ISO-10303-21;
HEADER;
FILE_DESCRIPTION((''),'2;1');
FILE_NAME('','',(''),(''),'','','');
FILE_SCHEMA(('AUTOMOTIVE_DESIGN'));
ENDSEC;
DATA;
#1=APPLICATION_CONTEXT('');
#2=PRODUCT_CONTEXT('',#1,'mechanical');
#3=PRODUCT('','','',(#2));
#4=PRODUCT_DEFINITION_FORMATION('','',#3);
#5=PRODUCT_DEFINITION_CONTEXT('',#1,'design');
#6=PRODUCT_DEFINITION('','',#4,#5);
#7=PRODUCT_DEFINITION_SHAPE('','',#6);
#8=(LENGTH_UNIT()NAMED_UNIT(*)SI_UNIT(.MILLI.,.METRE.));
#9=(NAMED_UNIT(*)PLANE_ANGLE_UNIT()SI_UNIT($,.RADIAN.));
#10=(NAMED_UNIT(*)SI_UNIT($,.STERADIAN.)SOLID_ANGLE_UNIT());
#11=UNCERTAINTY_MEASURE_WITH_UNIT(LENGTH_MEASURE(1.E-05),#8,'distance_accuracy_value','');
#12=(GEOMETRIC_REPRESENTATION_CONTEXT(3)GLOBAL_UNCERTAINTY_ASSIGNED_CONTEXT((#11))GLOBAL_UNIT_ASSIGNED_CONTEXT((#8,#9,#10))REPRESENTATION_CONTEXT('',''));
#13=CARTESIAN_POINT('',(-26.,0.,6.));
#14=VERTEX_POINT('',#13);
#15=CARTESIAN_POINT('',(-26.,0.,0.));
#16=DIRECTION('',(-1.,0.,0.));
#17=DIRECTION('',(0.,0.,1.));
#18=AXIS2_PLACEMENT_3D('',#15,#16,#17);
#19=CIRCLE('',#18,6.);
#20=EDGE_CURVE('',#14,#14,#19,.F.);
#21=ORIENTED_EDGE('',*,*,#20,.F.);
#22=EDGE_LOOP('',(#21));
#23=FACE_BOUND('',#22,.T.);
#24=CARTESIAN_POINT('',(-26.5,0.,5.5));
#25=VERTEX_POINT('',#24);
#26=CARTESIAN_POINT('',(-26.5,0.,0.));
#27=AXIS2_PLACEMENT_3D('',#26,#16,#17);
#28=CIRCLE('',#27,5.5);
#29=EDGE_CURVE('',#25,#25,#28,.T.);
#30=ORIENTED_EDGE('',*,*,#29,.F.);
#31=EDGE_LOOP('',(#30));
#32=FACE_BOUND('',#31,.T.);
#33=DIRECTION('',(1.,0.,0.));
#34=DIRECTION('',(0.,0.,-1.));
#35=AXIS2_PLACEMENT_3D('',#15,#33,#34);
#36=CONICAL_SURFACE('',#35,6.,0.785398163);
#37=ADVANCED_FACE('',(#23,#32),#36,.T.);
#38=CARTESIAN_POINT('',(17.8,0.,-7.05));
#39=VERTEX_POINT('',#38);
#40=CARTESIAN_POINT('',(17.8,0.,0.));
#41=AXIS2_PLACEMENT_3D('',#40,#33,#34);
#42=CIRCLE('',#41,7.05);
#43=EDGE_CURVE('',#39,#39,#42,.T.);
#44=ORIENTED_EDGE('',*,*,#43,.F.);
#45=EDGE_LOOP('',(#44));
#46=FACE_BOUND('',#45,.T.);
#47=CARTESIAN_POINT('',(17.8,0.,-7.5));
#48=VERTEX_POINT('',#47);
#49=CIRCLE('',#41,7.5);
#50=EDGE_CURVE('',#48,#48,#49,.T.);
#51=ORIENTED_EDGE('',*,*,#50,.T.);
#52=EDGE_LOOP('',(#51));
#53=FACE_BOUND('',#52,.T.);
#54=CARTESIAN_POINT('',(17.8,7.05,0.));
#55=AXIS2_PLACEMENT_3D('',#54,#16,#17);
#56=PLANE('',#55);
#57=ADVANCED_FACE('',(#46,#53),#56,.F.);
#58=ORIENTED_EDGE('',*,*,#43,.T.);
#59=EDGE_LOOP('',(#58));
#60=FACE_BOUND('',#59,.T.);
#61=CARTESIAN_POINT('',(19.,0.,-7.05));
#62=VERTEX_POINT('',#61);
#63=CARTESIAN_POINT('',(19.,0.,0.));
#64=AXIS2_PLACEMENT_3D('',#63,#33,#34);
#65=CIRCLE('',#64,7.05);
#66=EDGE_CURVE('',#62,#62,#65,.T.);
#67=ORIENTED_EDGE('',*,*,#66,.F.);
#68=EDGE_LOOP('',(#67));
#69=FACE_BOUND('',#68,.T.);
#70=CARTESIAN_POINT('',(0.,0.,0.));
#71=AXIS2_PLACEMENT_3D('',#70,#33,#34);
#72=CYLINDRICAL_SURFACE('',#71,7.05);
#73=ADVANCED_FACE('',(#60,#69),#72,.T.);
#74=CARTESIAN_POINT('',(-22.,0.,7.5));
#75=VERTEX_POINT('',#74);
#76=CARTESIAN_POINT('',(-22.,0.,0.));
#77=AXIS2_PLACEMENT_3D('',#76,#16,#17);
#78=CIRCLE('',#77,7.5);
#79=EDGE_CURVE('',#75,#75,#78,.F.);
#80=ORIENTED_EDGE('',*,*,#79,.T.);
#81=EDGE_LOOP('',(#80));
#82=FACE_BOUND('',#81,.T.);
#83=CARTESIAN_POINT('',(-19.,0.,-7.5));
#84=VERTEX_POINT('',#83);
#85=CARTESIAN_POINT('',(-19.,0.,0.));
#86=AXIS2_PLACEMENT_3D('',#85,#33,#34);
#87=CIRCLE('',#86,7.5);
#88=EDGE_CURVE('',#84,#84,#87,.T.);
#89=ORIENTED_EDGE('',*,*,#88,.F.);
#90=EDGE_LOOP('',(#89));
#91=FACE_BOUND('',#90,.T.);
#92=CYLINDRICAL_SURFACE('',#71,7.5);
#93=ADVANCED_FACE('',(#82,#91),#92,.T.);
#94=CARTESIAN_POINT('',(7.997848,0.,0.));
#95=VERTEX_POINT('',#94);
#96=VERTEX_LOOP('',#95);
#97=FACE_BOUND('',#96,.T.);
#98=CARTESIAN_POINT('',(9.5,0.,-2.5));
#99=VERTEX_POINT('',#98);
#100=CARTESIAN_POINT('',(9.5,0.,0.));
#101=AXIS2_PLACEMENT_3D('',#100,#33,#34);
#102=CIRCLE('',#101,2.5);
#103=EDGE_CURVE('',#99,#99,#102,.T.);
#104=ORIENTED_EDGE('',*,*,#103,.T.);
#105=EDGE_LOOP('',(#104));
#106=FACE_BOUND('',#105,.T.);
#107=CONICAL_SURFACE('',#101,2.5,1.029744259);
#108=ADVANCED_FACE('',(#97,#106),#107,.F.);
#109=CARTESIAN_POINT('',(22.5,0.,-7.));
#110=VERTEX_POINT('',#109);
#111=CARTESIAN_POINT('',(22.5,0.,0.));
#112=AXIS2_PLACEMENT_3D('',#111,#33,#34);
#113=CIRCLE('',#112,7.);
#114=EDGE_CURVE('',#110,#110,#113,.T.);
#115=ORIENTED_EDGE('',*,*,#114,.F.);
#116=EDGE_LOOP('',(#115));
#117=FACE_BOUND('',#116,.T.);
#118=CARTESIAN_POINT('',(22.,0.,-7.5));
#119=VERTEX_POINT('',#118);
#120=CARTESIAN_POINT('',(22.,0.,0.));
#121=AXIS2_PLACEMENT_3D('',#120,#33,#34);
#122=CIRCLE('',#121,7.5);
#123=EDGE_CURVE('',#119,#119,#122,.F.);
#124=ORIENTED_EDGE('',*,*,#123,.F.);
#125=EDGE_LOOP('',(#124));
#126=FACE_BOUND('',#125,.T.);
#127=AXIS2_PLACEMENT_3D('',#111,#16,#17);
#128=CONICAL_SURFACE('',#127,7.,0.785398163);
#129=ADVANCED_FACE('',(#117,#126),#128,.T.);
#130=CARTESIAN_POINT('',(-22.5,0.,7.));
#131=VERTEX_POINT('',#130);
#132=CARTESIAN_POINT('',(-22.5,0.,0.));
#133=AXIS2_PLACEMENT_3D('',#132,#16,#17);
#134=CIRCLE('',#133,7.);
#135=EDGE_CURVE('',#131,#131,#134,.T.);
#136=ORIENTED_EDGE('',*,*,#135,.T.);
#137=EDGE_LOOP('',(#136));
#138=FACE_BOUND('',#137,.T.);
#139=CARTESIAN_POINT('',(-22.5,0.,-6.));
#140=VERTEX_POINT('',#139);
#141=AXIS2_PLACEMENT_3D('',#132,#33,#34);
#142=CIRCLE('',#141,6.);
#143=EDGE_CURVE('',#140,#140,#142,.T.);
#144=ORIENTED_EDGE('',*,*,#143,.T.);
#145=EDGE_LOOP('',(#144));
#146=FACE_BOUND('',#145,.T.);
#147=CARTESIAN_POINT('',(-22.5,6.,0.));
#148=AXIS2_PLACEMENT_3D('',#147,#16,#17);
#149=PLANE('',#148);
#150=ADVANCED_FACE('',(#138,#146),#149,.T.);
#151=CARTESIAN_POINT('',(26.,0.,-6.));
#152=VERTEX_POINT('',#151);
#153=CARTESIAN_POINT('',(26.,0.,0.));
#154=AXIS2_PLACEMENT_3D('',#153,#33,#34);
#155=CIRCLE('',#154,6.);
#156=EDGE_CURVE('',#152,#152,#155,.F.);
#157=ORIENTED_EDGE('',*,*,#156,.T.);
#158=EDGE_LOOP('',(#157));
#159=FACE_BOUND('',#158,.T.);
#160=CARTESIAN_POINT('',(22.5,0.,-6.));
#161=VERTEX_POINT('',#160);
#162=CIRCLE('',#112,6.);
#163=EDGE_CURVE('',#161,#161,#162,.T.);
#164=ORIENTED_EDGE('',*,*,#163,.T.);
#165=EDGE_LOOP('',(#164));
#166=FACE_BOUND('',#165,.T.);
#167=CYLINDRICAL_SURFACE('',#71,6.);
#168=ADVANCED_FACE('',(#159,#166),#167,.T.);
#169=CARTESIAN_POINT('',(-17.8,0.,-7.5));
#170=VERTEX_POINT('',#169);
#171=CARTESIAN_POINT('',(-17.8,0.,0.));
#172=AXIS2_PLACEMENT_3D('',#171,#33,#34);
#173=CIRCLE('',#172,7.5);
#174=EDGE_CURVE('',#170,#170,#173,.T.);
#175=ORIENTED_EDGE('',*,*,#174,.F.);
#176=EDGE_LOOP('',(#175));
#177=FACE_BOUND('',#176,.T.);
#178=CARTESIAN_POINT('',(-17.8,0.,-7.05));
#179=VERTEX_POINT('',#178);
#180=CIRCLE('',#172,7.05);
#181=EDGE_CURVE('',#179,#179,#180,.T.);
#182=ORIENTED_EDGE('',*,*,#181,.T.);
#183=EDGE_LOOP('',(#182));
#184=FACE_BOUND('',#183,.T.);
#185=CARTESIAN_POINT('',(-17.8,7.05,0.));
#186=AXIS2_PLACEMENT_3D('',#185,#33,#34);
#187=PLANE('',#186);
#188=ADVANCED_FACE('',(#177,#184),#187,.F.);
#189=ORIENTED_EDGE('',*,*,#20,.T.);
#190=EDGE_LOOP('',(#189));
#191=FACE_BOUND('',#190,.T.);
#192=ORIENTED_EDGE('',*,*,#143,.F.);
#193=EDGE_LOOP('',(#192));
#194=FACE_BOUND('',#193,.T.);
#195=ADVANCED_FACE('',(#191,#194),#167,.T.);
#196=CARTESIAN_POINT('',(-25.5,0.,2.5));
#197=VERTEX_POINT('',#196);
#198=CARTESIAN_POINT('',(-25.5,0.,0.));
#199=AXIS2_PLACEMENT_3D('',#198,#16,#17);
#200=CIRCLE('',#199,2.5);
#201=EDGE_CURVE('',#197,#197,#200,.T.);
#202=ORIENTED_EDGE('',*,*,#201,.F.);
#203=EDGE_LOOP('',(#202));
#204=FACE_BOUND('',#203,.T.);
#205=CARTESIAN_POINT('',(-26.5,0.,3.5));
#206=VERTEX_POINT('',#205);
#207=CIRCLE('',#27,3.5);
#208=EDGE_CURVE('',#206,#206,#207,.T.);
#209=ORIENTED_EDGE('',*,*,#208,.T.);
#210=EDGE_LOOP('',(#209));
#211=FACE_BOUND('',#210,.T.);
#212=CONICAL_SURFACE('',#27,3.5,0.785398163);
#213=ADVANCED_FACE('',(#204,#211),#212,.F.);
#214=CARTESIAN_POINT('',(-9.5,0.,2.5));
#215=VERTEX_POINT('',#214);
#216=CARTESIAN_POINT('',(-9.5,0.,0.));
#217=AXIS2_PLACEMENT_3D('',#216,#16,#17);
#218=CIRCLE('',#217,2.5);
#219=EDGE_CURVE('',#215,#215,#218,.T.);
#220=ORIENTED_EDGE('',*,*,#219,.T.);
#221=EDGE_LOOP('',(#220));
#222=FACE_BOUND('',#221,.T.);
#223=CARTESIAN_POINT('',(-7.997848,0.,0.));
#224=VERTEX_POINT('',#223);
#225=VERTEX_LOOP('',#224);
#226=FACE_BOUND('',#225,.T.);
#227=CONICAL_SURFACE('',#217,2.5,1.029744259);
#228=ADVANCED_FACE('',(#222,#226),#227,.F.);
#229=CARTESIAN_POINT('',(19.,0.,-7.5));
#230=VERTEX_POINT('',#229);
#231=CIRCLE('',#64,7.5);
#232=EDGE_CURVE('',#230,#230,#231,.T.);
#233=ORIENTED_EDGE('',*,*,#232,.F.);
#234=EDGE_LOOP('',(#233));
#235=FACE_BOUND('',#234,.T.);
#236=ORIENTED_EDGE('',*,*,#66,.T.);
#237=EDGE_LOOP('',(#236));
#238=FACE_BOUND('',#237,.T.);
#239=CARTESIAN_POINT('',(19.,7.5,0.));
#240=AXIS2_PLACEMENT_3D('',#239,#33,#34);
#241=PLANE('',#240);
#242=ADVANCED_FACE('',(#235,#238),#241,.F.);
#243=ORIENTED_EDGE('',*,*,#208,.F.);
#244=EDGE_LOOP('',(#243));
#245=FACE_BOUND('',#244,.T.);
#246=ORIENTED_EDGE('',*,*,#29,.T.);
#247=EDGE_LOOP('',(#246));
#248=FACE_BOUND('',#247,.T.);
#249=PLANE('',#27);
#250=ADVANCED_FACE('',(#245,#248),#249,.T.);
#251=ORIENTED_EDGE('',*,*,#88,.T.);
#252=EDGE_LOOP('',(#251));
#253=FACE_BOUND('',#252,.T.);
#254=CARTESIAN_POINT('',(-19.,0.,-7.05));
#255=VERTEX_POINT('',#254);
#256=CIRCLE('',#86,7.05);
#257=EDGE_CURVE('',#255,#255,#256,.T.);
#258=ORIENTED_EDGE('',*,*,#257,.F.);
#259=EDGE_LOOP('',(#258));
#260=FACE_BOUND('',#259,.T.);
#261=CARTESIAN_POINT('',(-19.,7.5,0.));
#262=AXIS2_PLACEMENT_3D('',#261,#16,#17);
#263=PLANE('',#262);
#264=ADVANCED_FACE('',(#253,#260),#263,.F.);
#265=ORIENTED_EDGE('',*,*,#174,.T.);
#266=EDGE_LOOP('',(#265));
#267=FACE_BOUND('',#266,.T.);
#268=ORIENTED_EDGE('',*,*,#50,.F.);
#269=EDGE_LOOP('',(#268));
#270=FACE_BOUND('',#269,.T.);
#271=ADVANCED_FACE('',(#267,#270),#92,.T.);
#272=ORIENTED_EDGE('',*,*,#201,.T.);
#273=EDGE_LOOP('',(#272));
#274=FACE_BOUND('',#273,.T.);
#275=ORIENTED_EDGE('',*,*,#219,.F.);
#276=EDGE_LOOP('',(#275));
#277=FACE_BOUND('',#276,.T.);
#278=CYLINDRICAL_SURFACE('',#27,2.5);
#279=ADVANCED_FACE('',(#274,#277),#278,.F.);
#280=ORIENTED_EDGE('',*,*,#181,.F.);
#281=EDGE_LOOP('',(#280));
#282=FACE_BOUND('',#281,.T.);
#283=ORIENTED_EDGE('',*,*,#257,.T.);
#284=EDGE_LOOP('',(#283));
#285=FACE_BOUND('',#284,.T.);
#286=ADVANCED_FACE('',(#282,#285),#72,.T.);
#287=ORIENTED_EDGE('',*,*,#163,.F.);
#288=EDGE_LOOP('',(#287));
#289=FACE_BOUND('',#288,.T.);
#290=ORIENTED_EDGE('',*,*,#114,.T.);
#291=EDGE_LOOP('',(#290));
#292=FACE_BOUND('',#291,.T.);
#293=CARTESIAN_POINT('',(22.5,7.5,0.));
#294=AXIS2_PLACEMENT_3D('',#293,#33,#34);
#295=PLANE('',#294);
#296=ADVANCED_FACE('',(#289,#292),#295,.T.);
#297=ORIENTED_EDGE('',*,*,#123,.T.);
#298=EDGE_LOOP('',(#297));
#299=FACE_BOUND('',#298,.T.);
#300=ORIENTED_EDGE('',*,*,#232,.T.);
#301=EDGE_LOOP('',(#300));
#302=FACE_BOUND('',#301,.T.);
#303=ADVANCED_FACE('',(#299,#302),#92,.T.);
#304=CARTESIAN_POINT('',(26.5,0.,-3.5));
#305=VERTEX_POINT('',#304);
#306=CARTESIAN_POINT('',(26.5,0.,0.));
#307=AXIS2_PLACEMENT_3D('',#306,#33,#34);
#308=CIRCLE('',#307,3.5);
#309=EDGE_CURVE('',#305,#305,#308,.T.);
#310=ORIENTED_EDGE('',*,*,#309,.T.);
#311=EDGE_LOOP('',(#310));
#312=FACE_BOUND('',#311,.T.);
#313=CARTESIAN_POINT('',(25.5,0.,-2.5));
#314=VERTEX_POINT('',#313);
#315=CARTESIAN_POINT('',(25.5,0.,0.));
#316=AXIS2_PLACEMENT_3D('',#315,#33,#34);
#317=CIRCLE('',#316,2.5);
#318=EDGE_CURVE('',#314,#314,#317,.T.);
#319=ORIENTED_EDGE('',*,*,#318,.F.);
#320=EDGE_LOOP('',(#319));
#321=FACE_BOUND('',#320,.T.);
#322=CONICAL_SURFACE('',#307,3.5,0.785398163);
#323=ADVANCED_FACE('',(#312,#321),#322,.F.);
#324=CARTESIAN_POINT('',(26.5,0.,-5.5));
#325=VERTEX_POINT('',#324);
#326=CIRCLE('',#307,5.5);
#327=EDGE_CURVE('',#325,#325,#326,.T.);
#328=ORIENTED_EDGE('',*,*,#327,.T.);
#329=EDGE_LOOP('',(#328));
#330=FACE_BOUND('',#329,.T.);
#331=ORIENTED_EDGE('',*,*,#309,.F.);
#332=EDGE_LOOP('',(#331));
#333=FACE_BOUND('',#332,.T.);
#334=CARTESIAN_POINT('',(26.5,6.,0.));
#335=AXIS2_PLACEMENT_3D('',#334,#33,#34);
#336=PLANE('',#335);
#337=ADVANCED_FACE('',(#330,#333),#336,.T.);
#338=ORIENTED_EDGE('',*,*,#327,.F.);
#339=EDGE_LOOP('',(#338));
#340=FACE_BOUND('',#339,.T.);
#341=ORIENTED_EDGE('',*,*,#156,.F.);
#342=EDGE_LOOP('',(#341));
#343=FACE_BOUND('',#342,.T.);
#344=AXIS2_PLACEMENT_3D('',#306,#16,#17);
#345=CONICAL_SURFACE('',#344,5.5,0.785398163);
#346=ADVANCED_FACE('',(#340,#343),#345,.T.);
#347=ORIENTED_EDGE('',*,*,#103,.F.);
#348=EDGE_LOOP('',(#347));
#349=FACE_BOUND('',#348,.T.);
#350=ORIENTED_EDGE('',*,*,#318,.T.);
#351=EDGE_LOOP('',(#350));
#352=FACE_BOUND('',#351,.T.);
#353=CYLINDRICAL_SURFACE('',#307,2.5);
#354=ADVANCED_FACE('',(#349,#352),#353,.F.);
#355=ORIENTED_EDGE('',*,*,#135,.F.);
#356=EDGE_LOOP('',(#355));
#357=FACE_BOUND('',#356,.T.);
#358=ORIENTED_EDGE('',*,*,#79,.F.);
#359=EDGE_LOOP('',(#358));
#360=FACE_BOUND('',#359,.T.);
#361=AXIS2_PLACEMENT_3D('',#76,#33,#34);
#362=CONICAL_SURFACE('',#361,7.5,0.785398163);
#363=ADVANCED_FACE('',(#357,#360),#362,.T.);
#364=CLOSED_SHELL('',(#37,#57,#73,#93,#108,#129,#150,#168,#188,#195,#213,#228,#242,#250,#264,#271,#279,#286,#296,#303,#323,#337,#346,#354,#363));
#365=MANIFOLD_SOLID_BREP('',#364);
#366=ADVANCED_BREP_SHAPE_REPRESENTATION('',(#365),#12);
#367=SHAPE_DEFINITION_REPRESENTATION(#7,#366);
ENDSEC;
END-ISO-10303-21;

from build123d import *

# Parameters (mm, degrees)
HOLE_WIZARD_M61_D           = 5
HOLE_WIZARD_M61_DEPTH       = 17
HOLE_WIZARD_M61_CSINK_D     = 7
HOLE_WIZARD_M61_CSINK_ANGLE = 90
HOLE_WIZARD_M61_TIP         = 1.502151548
HOLE_WIZARD_M62_D           = 5
HOLE_WIZARD_M62_DEPTH       = 17
HOLE_WIZARD_M62_CSINK_D     = 7
HOLE_WIZARD_M62_CSINK_ANGLE = 90
HOLE_WIZARD_M62_TIP         = 1.502151548
SKETCH_5_W                  = 1.2
SKETCH_5_H                  = 0.45
CHAMFER_2_SIZE              = 0.5


with BuildPart() as part:
    # Эскиз1 → Повернуть1 (revolve)
    with BuildSketch(Plane.XY, mode=Mode.PRIVATE) as revolve_1_sk:
        Polygon((-26.5, 0), (-26.5, 6), (-22.5, 6), (-22.5, 7.5), (22.5, 7.5), (22.5, 6), (26.5, 6), (26.5, 0), align=None)
    revolve(revolve_1_sk.sketch.rotate(Axis((0, 0, 0), (-1, 0, 0)), 90), axis=Axis((0, 0, 0), (-1, 0, 0)))

    # Отверстие обработанное метчиком M61
    with Locations(Plane.ZY.offset(26.5)):
        with Locations((0, 0)):
            CounterSinkHole(HOLE_WIZARD_M61_D / 2, HOLE_WIZARD_M61_CSINK_D / 2, depth=HOLE_WIZARD_M61_DEPTH, counter_sink_angle=HOLE_WIZARD_M61_CSINK_ANGLE)
            with Locations((0, 0, -(HOLE_WIZARD_M61_DEPTH + HOLE_WIZARD_M61_TIP / 2))):  # 118° drill point
                Cone(0, HOLE_WIZARD_M61_D / 2, HOLE_WIZARD_M61_TIP, mode=Mode.SUBTRACT)

    # Отверстие обработанное метчиком M62
    with Locations(Plane(origin=(26.5, 0, 0), x_dir=(0, 0, -1), z_dir=(1, 0, 0))):
        with Locations((0, 0)):
            CounterSinkHole(HOLE_WIZARD_M62_D / 2, HOLE_WIZARD_M62_CSINK_D / 2, depth=HOLE_WIZARD_M62_DEPTH, counter_sink_angle=HOLE_WIZARD_M62_CSINK_ANGLE)
            with Locations((0, 0, -(HOLE_WIZARD_M62_DEPTH + HOLE_WIZARD_M62_TIP / 2))):  # 118° drill point
                Cone(0, HOLE_WIZARD_M62_D / 2, HOLE_WIZARD_M62_TIP, mode=Mode.SUBTRACT)

    # Эскиз5 → Вырез-Повернуть1 (revolve, cut)
    with BuildSketch(Plane.XY, mode=Mode.PRIVATE) as cut_revolve_1_sk:
        with Locations((-18.4, 7.275)):
            Rectangle(SKETCH_5_W, SKETCH_5_H)
        with Locations((18.4, 7.275)):
            Rectangle(SKETCH_5_W, SKETCH_5_H)
    revolve(cut_revolve_1_sk.sketch.rotate(Axis((0, 0, 0), (-1, 0, 0)), 90), axis=Axis((0, 0, 0), (-1, 0, 0)), mode=Mode.SUBTRACT)

    # Фаска2
    chamfer_2_edges = [part.edges().sort_by_distance(p)[0] for p in [
        (26.5, 0, 6),
        (22.5, 0, 7.5),
        (-22.5, 0, 7.5),
        (-26.5, 0, 6),
    ]]
    chamfer(chamfer_2_edges, length=CHAMFER_2_SIZE)


solid = part.part
